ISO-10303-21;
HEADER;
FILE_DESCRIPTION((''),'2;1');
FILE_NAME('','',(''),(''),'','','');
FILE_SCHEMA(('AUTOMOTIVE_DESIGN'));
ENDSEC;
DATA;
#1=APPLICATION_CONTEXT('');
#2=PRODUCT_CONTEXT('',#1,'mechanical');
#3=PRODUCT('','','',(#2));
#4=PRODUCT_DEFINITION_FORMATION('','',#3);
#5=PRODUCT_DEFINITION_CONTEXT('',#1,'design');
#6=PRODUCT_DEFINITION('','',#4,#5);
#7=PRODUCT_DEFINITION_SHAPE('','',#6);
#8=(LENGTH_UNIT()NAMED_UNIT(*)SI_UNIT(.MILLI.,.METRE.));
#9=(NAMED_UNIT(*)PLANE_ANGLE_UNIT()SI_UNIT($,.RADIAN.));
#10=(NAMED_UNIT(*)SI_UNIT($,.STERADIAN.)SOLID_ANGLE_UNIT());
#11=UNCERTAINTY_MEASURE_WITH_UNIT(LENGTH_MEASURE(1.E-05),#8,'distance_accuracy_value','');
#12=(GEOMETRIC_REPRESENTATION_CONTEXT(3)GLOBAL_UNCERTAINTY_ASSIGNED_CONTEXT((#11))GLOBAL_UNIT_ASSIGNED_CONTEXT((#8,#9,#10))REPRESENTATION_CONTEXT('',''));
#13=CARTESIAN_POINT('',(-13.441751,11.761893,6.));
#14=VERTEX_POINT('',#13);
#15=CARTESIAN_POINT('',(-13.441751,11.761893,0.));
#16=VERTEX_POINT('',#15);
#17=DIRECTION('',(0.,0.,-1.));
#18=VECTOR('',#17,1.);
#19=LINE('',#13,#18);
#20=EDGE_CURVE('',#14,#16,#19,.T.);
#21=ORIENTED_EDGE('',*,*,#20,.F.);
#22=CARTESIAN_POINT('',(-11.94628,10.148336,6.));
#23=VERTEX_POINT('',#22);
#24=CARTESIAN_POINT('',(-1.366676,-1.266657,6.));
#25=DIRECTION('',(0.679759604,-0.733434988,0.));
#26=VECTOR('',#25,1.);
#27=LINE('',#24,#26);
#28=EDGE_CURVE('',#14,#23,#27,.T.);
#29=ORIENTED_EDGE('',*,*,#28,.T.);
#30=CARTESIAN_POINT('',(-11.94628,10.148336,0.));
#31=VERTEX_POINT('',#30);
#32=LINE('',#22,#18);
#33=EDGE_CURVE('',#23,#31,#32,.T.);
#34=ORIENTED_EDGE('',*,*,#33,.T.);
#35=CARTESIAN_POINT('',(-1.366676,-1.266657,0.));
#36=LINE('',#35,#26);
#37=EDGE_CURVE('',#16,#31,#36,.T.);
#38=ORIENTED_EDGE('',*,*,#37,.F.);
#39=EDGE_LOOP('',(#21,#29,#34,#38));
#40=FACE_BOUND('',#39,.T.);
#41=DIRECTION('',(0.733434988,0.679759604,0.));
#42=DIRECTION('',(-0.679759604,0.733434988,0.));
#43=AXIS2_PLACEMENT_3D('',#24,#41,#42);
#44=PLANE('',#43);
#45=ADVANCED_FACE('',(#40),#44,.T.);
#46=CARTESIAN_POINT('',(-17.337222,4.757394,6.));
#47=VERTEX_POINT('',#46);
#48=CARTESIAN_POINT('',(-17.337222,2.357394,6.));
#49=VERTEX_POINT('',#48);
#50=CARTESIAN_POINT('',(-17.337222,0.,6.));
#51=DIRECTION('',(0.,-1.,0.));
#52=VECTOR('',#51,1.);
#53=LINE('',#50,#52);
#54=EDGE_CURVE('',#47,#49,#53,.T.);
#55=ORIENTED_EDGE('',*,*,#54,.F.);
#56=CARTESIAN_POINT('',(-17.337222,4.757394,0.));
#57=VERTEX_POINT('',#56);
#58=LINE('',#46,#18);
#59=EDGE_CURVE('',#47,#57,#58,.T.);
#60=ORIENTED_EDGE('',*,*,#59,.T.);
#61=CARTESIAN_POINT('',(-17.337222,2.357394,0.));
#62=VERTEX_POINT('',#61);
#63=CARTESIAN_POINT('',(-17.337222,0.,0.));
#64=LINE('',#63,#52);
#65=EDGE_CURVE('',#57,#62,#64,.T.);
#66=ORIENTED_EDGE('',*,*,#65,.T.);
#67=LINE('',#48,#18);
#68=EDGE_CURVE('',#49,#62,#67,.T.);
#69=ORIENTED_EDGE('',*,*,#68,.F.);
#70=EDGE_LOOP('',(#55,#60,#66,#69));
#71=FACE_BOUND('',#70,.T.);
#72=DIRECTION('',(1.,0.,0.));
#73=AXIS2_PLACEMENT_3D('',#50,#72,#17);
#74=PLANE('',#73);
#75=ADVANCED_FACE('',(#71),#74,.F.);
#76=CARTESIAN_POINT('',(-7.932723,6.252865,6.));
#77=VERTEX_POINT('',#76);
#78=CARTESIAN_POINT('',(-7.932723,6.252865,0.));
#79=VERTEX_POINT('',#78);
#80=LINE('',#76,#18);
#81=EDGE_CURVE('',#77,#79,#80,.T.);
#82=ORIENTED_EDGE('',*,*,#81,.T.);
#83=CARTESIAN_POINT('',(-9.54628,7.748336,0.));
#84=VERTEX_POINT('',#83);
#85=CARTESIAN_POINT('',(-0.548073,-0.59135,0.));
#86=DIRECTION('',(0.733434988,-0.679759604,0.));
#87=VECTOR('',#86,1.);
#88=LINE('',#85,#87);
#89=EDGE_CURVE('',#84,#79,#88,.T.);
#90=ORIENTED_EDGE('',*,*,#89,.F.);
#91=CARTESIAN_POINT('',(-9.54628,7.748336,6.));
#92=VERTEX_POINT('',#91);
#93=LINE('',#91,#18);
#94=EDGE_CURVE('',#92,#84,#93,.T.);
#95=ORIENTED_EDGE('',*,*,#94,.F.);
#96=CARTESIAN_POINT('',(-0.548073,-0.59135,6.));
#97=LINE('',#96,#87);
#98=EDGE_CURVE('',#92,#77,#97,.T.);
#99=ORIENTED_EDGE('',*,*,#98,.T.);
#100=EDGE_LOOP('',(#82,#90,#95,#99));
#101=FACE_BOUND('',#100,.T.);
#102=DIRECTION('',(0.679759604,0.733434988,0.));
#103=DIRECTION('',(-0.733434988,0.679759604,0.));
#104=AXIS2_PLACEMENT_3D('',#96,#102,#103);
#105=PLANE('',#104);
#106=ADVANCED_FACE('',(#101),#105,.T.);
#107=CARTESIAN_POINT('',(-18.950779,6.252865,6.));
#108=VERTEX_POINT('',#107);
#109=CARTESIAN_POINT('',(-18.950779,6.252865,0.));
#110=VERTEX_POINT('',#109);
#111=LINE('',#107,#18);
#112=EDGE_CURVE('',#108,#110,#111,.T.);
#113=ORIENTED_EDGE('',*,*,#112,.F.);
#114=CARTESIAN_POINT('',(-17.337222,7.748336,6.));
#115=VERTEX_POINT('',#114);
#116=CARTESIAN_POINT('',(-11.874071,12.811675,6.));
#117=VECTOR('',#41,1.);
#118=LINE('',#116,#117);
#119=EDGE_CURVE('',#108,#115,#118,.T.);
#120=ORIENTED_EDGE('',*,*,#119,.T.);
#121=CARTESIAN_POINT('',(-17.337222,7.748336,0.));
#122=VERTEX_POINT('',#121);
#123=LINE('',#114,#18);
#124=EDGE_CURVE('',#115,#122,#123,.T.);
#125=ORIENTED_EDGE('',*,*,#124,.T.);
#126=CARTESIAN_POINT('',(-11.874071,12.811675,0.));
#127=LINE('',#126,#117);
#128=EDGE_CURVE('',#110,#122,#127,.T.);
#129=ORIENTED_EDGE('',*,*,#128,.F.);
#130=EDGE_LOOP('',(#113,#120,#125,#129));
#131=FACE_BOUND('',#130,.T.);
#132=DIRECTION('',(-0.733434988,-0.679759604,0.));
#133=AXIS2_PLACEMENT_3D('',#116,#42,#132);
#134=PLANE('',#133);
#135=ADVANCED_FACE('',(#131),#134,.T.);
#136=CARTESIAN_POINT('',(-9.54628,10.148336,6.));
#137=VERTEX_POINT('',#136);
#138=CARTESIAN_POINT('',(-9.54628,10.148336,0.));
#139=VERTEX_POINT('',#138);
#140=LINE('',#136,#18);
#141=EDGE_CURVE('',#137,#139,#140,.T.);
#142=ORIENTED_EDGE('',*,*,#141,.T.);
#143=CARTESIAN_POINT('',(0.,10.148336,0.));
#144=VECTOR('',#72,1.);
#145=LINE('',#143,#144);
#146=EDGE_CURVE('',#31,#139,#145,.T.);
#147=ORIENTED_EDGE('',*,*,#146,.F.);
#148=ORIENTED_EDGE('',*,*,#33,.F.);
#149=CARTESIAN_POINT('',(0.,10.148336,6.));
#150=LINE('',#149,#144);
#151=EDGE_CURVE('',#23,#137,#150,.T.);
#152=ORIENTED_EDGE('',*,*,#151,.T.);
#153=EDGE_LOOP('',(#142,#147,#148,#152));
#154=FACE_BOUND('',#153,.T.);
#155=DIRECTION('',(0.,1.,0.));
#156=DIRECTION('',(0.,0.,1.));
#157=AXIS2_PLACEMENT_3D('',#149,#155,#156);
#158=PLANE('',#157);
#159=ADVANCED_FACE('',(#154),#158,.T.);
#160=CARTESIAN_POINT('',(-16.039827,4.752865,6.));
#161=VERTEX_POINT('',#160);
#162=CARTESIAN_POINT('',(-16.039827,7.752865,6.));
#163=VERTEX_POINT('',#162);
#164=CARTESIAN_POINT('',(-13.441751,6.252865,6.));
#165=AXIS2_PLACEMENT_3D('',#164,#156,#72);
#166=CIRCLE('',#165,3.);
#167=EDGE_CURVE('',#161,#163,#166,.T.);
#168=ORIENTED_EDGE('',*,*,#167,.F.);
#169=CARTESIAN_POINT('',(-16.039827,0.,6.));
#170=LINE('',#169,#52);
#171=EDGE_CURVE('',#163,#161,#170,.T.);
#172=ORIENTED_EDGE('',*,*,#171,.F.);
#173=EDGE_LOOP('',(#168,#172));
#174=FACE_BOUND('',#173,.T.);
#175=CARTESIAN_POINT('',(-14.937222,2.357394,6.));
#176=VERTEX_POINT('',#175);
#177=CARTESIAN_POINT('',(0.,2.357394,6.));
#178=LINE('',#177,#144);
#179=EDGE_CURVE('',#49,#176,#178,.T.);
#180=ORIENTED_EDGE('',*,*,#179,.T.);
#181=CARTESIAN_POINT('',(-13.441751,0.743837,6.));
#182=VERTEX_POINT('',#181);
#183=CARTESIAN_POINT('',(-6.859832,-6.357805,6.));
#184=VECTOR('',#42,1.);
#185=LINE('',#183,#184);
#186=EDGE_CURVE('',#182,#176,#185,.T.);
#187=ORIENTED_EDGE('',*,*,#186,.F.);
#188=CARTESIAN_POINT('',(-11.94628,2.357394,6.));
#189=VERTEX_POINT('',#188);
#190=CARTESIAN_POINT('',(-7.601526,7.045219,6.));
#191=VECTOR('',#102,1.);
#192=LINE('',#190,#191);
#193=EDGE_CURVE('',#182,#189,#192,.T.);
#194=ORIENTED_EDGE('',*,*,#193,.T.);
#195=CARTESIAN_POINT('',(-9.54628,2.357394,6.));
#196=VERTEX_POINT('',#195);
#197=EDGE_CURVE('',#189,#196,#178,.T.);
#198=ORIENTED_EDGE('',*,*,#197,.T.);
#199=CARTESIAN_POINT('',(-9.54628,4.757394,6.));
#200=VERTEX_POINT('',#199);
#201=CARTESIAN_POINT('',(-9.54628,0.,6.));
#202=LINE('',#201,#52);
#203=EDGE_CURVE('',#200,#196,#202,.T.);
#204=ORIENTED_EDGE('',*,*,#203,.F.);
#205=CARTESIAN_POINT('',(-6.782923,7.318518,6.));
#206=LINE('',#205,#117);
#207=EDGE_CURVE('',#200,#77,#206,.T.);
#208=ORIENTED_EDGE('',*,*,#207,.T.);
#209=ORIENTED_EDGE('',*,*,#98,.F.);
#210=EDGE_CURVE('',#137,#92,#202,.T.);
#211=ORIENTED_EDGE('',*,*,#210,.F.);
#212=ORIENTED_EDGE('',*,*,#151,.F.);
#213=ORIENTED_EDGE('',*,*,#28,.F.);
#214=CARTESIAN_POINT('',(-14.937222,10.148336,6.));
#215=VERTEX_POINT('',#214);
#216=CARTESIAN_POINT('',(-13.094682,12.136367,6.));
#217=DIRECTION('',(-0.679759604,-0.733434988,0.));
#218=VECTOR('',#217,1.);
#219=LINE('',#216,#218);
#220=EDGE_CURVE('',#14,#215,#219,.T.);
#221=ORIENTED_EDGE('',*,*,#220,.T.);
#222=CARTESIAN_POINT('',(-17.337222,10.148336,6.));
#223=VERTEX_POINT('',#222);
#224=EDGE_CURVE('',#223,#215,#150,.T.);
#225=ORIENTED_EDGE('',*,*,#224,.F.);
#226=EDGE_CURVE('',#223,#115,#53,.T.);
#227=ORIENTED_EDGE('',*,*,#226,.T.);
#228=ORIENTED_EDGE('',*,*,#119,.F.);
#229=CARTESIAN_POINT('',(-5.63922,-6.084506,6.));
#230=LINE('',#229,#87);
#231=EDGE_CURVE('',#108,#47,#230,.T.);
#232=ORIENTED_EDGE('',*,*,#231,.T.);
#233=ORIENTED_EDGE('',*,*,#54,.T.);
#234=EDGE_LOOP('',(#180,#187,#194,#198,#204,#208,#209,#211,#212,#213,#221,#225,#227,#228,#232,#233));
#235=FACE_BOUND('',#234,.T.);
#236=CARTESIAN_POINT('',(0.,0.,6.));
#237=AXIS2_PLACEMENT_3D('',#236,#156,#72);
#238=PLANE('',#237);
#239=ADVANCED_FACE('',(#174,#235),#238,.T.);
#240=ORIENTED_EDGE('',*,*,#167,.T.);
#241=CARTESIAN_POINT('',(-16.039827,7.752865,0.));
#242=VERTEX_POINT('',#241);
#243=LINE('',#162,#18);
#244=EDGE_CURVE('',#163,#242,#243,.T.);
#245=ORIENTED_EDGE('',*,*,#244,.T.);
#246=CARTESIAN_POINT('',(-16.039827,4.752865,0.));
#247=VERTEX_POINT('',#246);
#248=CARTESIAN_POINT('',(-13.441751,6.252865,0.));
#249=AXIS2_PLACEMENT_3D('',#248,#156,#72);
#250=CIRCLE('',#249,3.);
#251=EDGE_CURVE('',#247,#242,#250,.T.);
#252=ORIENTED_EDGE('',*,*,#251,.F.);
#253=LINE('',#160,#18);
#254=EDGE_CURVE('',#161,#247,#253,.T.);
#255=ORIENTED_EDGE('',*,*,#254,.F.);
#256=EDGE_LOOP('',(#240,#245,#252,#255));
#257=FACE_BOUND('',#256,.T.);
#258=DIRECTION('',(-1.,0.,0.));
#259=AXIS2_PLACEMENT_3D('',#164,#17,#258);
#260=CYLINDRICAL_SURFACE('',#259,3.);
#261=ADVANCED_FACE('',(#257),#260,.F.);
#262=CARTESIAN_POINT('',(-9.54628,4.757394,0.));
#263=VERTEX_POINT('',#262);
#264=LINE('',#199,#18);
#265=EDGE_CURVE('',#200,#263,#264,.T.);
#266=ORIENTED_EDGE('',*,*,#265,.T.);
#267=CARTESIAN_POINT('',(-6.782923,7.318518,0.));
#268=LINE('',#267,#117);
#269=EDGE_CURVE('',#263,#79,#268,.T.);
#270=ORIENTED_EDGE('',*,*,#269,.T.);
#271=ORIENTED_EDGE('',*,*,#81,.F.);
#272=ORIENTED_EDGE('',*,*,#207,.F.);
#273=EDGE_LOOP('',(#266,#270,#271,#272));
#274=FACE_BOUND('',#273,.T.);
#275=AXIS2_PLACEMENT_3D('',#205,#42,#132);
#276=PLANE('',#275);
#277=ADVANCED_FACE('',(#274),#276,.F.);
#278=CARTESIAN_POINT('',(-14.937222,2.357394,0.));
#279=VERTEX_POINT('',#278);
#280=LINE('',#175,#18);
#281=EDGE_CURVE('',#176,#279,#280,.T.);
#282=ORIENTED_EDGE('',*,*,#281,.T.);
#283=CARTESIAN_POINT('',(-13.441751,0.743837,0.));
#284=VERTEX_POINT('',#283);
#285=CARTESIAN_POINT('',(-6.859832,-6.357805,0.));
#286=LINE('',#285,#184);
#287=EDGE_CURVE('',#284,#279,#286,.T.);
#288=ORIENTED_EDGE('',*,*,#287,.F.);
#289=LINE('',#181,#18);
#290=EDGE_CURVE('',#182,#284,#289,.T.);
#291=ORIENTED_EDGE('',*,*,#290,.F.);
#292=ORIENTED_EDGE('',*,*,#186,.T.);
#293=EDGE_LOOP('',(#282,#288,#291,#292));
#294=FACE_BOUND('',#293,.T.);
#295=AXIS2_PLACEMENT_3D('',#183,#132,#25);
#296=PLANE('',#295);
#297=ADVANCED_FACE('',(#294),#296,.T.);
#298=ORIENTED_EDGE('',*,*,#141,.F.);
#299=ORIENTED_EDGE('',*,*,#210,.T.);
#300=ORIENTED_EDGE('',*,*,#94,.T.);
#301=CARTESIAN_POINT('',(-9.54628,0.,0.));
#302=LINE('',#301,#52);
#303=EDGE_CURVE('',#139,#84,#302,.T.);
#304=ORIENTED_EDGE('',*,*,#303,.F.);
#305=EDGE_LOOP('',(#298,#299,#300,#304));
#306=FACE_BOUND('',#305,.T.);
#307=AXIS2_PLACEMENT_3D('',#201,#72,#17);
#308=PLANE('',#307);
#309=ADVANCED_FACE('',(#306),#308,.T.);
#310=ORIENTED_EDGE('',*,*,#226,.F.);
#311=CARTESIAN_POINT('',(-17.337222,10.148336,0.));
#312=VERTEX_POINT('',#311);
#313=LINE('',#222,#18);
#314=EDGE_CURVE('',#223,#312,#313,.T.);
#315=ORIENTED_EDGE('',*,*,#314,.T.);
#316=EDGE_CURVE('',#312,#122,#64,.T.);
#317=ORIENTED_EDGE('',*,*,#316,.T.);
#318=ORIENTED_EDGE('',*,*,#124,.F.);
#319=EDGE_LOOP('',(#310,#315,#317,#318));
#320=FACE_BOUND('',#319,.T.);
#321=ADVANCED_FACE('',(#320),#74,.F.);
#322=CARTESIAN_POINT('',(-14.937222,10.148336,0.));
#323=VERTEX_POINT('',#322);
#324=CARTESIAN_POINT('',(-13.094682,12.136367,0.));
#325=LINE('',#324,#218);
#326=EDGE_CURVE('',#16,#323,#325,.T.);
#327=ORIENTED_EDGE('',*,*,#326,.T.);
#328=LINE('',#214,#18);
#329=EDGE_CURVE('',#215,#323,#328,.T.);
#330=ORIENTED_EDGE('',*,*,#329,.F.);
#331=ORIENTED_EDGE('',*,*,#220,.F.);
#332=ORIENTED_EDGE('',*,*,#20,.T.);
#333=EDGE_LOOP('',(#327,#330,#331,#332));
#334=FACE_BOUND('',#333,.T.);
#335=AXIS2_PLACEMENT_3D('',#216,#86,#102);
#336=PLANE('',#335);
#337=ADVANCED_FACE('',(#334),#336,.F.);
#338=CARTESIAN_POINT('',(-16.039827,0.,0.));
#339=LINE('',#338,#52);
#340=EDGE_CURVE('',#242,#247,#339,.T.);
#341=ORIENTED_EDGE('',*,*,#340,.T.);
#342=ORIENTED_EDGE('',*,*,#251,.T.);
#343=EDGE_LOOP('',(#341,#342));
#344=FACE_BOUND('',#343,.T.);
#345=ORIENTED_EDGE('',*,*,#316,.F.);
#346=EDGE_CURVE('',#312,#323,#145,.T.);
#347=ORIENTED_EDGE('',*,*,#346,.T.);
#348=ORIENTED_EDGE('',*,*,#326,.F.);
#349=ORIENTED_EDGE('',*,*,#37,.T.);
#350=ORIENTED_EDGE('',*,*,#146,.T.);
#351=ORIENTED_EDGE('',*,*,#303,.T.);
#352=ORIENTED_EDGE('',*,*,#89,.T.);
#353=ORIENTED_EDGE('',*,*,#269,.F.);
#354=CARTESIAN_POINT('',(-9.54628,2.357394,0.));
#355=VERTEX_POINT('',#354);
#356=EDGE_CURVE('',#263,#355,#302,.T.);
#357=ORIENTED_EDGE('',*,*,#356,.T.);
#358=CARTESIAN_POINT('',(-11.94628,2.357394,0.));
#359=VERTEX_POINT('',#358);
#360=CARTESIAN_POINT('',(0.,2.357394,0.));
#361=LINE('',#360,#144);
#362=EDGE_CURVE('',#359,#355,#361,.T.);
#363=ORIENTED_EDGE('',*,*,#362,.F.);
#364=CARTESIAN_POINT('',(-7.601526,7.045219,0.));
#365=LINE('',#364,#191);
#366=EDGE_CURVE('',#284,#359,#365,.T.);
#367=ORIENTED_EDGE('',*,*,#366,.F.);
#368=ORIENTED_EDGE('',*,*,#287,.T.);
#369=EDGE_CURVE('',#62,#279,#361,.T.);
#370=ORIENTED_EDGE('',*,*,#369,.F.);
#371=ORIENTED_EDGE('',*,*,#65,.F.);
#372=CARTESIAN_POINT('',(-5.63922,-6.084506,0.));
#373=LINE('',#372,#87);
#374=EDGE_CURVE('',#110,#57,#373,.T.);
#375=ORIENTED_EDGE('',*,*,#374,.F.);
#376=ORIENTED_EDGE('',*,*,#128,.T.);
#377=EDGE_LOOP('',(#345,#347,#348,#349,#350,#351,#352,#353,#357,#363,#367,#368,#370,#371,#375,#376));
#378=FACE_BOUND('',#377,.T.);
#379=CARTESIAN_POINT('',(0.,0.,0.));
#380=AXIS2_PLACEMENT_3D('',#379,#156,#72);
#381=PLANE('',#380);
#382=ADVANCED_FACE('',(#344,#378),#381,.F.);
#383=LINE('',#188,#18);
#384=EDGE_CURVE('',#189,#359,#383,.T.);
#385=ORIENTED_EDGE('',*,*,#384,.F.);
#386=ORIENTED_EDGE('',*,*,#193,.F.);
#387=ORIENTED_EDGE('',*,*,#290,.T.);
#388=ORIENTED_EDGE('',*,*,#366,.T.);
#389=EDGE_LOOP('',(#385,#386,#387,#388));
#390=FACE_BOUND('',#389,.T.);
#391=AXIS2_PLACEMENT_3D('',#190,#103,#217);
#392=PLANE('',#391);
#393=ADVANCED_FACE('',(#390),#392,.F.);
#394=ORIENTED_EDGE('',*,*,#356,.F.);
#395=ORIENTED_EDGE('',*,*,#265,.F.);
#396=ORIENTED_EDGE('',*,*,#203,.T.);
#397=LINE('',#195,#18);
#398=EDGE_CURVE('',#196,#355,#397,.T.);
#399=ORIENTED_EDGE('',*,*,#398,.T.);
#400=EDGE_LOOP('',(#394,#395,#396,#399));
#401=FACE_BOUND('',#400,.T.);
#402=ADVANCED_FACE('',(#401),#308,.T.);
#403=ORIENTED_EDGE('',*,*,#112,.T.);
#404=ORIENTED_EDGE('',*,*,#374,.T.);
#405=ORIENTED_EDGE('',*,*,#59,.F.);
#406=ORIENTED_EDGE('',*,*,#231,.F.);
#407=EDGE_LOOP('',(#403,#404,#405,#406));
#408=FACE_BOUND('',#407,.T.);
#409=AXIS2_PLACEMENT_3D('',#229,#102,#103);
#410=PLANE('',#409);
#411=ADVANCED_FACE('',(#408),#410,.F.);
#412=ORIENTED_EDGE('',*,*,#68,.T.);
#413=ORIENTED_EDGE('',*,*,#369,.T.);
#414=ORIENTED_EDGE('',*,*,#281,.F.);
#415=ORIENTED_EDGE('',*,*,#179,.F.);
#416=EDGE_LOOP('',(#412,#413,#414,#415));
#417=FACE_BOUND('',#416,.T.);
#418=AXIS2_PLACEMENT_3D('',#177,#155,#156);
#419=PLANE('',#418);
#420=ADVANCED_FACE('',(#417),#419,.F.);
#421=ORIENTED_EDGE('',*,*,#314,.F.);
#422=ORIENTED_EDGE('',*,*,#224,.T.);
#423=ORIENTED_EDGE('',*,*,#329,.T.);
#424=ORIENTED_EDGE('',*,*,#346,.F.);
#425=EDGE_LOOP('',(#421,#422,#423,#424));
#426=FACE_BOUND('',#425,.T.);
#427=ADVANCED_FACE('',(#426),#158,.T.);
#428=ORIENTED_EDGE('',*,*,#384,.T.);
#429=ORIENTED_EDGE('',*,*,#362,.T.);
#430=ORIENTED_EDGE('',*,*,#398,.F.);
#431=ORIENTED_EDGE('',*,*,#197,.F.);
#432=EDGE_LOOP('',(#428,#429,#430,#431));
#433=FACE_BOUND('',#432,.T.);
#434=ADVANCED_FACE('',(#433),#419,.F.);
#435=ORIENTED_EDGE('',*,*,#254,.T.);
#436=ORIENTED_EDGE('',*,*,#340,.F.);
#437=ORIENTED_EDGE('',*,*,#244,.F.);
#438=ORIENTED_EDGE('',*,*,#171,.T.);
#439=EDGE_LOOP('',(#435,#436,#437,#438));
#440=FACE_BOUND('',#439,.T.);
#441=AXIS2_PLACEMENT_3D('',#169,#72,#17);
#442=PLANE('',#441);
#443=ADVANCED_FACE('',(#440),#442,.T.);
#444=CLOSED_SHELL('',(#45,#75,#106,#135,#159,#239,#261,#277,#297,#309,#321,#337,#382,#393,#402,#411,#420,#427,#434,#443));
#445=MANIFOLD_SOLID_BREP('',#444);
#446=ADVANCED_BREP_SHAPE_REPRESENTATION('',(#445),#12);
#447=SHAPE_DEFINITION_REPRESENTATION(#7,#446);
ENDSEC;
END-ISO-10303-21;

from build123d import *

# Parameters (mm, degrees)
BOSS_EXTRU_1_DEPTH = 6


with BuildPart() as part:
    # Esquisse1 → Boss.-Extru.1 (new body)
    with BuildSketch(Plane.XY):
        Polygon((-14.937221854, 10.148336377), (-17.337221854, 10.148336377), (-17.337221854, 7.748336377), (-18.950778827, 6.252865249), (-17.337221854, 4.757394121), (-17.337221854, 2.357394121), (-14.937221854, 2.357394121), (-13.441750726, 0.743837148), (-11.946279598, 2.357394121), (-9.546279598, 2.357394121), (-9.546279598, 4.757394121), (-7.932722625, 6.252865249), (-9.546279598, 7.748336377), (-9.546279598, 10.148336377), (-11.946279598, 10.148336377), (-13.441750726, 11.761893351), align=None)
        with BuildLine():
            Line((-16.039826937, 4.752865249), (-16.039826937, 7.752865249))
            ThreePointArc((-16.039826937, 7.752865249), (-10.441750726, 6.252865249), (-16.039826937, 4.752865249))
        make_face(mode=Mode.SUBTRACT)
    extrude(amount=BOSS_EXTRU_1_DEPTH)


solid = part.part
